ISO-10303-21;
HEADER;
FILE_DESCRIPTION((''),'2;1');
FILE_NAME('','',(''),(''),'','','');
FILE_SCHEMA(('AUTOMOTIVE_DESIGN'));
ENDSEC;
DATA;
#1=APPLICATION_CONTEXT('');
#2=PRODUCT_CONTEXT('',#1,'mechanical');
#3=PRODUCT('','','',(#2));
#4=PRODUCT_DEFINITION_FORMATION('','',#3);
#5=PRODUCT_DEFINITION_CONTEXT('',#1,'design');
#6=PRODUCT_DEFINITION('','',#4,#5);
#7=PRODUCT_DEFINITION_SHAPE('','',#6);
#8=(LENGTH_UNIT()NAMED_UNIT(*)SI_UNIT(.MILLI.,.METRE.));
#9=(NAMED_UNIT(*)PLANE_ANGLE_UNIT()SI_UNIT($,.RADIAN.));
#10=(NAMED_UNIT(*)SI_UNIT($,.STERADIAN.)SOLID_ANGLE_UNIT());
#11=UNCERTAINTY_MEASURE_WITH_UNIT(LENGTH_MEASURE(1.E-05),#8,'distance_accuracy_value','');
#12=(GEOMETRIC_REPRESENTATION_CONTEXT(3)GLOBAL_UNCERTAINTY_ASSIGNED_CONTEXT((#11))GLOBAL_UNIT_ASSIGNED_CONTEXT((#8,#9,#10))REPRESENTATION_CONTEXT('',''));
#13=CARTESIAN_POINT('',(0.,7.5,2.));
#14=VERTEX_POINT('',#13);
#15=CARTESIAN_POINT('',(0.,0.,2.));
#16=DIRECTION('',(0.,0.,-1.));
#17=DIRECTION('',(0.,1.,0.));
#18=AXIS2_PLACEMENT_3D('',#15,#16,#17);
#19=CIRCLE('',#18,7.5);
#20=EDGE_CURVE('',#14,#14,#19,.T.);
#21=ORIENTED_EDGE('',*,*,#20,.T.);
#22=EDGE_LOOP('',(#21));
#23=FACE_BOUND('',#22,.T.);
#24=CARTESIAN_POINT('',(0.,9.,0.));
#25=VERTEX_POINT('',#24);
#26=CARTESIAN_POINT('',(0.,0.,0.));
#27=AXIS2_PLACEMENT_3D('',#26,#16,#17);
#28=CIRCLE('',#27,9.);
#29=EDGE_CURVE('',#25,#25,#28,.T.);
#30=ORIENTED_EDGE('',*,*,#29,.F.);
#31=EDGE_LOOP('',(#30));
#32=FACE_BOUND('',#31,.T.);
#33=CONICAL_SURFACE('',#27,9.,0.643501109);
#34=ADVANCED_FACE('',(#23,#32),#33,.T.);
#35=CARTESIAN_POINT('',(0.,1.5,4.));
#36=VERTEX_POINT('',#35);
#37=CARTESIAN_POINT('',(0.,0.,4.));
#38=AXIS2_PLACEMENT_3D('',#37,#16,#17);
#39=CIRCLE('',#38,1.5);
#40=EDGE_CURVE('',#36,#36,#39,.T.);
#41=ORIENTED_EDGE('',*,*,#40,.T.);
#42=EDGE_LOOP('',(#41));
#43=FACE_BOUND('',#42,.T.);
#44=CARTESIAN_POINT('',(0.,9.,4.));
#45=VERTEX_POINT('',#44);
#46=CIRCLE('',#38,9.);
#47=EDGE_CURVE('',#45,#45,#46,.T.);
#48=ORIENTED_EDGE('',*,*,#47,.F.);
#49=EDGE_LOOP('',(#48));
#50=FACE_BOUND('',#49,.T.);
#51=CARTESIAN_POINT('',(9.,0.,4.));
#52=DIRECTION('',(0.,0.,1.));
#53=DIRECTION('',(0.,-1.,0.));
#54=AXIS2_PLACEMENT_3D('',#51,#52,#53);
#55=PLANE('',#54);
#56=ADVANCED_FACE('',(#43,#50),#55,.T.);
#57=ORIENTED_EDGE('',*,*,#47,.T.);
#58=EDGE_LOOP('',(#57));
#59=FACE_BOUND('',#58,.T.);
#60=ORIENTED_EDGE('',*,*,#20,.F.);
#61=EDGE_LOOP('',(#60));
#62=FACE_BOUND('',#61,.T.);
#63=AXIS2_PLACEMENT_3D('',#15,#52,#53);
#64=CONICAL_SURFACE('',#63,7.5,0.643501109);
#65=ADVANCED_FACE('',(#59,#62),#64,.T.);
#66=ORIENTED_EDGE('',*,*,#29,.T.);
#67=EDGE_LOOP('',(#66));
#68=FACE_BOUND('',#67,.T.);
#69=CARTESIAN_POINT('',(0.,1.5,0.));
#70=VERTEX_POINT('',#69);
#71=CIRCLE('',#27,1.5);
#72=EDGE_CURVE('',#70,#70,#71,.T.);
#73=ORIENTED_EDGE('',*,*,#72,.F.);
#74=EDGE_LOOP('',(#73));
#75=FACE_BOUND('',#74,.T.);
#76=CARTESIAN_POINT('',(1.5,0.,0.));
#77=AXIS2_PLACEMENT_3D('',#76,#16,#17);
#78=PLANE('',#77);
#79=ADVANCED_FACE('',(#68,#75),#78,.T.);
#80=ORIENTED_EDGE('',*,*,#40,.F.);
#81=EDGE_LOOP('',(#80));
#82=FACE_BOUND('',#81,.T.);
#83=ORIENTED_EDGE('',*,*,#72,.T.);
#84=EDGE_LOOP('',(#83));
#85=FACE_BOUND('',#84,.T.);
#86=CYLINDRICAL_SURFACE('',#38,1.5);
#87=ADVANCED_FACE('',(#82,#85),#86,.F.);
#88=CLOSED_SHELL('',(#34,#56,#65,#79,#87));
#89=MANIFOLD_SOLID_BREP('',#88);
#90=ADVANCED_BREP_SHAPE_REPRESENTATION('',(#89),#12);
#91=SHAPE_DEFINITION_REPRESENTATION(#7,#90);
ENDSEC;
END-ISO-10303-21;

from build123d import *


with BuildPart() as part:
    # Эскиз1 → Повернуть1 (revolve)
    with BuildSketch(Plane.XZ, mode=Mode.PRIVATE) as revolve_1_sk:
        Polygon((7.5, 2), (9, 4), (1.5, 4), (1.5, 0), (9, 0), align=None)
    revolve(revolve_1_sk.sketch.rotate(Axis((0, 0, 4), (0, 0, -1)), 270), axis=Axis((0, 0, 4), (0, 0, -1)))


solid = part.part
